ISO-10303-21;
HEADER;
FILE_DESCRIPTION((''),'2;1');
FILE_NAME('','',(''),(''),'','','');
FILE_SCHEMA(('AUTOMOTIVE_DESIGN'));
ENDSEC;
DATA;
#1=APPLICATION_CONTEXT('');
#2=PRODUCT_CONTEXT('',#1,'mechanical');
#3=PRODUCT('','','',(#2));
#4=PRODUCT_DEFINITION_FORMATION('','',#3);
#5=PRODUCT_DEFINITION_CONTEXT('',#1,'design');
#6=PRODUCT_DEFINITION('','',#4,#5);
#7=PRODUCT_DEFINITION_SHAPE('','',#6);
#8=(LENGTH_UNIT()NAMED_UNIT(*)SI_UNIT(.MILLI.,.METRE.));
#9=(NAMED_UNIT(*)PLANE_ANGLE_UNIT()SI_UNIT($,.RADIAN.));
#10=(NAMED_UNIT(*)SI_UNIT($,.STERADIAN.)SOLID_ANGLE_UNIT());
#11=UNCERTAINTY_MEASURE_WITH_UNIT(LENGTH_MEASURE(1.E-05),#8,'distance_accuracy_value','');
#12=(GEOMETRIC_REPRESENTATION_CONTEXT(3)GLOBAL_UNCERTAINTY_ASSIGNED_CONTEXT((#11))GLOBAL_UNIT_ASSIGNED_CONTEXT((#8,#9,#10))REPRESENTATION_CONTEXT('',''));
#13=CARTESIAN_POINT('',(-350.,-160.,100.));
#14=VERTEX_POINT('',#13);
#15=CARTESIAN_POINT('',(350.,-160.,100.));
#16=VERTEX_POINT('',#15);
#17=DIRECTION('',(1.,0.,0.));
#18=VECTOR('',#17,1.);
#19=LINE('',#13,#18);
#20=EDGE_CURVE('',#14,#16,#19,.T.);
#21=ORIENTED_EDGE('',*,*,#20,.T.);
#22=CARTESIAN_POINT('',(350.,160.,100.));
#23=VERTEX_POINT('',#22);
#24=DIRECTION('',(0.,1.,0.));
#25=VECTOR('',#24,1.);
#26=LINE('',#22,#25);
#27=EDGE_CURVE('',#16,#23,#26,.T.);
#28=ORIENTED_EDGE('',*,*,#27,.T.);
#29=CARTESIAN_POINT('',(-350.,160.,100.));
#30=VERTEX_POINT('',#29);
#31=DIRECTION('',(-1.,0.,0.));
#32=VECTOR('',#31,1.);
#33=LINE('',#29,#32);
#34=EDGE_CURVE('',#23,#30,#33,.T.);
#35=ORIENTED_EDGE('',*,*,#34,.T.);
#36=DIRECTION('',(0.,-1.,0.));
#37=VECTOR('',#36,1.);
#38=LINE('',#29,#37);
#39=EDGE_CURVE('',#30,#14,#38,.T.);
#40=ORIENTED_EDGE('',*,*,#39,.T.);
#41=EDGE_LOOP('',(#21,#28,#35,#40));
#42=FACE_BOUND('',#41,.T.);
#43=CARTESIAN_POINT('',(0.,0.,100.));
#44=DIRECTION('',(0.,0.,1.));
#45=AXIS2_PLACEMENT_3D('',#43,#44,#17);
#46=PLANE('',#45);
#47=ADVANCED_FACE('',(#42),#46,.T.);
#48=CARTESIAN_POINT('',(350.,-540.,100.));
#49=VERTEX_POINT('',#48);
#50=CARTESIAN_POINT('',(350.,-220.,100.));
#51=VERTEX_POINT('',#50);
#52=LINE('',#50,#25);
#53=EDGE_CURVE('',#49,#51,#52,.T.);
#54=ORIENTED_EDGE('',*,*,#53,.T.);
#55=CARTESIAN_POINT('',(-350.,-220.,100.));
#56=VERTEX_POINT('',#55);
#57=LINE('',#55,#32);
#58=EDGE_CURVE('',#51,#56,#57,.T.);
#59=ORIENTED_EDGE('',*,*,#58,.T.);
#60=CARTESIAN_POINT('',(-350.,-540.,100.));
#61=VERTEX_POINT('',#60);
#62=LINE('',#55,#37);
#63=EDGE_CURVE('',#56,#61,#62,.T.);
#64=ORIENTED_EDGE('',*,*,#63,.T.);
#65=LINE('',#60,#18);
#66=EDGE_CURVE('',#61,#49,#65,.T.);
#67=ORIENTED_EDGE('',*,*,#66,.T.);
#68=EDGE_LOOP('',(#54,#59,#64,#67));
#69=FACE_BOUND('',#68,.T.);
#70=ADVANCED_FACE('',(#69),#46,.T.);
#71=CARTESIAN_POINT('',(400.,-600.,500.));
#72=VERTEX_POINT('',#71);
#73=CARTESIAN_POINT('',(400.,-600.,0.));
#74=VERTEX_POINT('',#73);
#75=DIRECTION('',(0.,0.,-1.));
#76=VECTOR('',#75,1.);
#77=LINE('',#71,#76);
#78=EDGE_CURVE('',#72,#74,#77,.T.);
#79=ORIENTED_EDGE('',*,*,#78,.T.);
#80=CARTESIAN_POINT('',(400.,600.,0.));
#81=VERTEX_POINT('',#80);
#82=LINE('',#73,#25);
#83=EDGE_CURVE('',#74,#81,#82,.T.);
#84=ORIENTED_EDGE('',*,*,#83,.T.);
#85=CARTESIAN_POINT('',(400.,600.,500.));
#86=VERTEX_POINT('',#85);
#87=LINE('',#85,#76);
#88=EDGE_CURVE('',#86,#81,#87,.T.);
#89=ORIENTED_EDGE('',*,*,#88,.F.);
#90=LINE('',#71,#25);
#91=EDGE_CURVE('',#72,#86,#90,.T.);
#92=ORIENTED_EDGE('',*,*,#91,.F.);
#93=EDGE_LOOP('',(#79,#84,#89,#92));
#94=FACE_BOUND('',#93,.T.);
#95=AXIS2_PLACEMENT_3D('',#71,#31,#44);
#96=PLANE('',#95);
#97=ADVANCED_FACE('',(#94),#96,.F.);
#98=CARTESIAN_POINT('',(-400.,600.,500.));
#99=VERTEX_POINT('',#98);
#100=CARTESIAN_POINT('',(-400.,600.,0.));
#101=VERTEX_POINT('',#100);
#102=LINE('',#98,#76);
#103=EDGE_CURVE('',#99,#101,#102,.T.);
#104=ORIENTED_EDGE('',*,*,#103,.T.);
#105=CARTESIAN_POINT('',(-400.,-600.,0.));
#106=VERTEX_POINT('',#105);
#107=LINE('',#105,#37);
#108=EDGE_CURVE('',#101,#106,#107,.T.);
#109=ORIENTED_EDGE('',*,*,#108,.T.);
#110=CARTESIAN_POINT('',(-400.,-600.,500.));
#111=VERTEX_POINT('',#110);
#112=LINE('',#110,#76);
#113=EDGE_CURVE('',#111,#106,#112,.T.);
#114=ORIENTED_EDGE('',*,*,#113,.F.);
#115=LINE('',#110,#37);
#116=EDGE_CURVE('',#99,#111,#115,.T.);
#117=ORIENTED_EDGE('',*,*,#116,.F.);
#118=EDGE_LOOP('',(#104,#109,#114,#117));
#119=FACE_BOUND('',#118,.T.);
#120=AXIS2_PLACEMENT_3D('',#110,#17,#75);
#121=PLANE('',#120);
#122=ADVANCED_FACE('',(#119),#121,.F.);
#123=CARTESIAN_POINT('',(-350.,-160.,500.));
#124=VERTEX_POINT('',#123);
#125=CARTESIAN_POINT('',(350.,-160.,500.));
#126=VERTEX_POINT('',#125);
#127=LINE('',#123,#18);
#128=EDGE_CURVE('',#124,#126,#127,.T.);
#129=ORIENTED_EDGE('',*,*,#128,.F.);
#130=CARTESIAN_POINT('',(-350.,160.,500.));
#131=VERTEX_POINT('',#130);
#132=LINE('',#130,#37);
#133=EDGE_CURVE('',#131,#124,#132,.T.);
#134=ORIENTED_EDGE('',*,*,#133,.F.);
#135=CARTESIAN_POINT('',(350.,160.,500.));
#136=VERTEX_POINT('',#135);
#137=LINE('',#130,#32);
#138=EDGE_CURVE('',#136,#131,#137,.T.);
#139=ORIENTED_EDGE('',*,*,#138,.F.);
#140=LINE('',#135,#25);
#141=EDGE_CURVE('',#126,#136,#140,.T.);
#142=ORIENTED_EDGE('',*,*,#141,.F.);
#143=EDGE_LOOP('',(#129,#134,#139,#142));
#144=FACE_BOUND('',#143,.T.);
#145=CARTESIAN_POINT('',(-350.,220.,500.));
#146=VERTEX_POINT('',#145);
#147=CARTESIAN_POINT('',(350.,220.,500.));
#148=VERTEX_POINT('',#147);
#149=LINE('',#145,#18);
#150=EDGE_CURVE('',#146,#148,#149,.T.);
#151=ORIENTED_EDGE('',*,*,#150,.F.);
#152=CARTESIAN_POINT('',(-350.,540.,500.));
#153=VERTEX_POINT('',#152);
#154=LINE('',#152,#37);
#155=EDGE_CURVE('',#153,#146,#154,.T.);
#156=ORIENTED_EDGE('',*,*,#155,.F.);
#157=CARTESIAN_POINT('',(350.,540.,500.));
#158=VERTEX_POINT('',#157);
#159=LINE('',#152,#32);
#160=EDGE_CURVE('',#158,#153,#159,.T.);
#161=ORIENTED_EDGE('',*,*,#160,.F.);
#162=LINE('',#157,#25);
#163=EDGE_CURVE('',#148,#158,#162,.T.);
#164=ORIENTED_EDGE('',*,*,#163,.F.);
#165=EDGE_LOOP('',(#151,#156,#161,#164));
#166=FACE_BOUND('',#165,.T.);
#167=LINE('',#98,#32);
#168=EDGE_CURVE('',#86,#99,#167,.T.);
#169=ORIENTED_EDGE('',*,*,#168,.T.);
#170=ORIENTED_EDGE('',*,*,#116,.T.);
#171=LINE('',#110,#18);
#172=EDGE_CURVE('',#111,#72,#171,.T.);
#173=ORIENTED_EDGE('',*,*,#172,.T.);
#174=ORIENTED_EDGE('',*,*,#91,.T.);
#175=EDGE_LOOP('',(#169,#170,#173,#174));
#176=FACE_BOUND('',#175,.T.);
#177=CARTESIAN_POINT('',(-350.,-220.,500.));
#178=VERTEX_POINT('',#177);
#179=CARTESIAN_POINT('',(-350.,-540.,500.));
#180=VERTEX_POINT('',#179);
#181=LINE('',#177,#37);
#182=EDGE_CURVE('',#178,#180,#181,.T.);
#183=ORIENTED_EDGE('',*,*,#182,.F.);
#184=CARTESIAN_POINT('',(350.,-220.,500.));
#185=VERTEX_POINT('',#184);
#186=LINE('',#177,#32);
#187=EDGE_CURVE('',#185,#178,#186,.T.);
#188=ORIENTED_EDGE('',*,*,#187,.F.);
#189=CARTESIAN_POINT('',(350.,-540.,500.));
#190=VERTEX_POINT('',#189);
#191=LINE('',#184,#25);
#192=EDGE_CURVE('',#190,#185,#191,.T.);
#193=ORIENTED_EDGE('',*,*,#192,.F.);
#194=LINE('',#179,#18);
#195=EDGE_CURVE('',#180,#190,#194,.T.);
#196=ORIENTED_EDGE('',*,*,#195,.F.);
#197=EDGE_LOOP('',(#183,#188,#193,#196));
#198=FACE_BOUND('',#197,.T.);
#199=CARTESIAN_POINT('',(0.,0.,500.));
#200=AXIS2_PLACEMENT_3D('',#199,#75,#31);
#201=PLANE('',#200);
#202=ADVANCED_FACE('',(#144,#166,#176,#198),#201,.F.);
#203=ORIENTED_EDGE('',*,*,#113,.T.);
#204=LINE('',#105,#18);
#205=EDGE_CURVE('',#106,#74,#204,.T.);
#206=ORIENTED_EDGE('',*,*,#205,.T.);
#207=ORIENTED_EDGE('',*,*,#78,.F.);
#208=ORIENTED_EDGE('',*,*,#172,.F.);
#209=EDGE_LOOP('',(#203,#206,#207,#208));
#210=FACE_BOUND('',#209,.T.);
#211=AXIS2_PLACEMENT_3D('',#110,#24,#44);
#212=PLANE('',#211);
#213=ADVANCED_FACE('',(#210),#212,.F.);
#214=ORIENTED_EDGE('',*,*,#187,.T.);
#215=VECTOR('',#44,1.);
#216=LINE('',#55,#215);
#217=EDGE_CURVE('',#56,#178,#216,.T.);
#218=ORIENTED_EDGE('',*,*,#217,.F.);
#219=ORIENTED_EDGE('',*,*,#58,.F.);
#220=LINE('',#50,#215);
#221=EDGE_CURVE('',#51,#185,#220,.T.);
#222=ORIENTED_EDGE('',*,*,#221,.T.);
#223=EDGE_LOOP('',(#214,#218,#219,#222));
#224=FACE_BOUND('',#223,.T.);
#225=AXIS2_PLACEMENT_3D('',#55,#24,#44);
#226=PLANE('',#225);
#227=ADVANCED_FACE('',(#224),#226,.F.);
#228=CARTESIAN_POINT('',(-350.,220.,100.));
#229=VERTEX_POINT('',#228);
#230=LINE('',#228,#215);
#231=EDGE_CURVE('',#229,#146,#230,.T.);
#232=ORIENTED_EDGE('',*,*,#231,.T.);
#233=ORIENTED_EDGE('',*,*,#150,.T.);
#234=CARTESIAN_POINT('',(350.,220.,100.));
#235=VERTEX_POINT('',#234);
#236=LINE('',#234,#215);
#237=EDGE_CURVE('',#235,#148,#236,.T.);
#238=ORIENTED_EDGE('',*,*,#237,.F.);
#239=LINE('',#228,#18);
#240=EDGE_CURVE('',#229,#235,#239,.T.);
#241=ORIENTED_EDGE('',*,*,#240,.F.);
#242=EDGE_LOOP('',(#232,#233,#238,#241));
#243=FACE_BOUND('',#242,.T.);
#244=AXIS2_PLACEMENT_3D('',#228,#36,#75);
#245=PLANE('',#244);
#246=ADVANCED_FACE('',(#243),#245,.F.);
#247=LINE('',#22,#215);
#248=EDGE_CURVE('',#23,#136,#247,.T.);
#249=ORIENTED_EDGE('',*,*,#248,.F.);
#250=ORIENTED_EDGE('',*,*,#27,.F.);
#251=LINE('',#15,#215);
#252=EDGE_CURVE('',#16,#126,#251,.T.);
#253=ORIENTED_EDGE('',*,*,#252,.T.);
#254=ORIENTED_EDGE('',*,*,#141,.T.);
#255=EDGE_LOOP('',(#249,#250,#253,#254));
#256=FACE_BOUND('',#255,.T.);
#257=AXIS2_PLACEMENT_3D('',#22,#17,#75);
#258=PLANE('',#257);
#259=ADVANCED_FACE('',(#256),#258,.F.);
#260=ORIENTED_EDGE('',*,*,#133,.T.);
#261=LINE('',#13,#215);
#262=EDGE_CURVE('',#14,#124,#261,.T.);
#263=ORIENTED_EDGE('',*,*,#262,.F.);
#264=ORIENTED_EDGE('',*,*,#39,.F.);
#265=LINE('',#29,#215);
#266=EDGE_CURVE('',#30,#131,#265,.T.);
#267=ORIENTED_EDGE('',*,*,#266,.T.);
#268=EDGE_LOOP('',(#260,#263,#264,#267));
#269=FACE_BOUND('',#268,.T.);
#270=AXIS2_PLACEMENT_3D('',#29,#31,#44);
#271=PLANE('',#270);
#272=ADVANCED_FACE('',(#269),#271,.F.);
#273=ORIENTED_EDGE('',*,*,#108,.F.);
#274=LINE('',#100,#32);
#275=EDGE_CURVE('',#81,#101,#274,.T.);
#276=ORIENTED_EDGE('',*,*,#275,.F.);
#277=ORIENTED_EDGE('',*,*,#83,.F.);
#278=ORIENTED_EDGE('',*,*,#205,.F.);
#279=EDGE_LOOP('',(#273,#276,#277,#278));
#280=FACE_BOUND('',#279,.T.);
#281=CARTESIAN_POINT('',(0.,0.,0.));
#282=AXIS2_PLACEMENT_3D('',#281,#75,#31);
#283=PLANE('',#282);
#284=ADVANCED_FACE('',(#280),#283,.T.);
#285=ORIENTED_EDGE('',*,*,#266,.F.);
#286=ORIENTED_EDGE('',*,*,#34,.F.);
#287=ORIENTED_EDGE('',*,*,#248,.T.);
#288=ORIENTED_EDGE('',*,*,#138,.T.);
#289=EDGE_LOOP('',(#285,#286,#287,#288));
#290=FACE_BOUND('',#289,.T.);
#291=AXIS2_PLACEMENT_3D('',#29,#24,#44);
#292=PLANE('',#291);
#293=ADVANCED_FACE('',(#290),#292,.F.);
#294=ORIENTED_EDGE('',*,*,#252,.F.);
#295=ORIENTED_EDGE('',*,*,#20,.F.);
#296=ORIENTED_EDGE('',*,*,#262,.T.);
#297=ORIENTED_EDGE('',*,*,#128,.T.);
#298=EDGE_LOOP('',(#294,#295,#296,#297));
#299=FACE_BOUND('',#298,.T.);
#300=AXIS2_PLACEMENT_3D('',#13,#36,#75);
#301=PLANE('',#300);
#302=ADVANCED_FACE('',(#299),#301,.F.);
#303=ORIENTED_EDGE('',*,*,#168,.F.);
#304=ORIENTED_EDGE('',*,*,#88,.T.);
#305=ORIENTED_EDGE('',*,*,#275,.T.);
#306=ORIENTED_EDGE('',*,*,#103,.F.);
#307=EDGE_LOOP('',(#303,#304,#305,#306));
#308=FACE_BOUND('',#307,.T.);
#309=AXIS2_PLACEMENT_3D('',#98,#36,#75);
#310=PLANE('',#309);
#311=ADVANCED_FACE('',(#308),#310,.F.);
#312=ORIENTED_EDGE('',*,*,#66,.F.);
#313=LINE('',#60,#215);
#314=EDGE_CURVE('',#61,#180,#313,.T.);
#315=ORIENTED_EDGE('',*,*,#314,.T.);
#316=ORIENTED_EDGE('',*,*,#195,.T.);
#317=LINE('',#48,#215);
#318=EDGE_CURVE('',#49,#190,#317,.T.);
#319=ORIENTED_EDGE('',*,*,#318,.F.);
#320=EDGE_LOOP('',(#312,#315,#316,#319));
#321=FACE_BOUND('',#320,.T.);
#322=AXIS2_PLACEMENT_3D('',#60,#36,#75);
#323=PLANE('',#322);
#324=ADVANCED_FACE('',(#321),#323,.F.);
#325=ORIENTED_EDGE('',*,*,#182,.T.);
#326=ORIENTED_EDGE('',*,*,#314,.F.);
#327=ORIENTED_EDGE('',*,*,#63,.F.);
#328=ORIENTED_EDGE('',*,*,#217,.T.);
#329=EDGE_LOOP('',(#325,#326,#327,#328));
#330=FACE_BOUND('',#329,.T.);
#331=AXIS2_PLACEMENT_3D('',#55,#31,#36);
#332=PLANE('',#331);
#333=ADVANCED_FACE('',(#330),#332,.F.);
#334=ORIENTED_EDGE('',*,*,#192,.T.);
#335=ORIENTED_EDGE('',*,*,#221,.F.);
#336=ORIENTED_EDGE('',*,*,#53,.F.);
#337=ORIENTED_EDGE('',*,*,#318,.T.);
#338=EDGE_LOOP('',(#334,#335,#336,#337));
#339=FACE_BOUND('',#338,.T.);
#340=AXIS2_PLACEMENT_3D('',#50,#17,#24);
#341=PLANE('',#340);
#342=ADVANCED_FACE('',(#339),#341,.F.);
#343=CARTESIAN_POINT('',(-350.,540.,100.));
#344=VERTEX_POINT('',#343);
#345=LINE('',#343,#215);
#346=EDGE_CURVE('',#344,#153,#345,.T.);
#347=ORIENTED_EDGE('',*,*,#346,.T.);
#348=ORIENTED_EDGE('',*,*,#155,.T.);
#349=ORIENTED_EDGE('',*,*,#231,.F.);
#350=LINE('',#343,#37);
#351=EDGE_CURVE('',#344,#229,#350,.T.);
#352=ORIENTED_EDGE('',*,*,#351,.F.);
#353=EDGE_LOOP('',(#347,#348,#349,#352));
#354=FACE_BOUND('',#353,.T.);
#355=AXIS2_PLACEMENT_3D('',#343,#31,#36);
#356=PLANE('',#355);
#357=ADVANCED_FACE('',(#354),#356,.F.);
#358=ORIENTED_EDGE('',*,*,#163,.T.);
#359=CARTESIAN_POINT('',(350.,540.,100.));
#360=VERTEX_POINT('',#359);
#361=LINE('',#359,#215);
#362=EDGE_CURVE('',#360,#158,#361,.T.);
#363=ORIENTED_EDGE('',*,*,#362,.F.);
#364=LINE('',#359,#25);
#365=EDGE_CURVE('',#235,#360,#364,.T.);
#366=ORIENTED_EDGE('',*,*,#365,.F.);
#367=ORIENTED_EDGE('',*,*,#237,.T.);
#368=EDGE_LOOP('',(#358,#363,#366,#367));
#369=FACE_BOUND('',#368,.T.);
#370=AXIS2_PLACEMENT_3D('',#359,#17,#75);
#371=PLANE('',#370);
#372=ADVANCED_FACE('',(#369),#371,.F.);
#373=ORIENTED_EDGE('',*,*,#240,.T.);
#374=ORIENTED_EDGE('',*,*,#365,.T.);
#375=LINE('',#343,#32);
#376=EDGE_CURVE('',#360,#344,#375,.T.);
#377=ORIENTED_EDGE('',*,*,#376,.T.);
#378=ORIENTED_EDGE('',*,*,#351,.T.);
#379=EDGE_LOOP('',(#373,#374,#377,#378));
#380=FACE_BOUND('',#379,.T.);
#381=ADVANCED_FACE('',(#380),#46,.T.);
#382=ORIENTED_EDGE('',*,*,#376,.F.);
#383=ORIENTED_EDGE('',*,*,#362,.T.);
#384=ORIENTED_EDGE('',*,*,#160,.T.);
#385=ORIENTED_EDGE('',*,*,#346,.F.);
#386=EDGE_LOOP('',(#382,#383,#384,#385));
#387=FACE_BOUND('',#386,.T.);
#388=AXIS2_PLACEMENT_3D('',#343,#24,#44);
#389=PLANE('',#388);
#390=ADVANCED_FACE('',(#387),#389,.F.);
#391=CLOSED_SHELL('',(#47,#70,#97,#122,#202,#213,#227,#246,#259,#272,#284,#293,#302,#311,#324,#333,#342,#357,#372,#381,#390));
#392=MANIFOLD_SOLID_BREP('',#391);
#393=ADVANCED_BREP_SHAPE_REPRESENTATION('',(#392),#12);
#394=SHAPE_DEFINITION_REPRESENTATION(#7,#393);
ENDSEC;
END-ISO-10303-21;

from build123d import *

# Parameters (mm, degrees)
SKETCH1_W           = 800
SKETCH1_H           = 1200
BOSS_EXTRUDE1_DEPTH = 500
SKETCH2_W           = 700
SKETCH2_H           = 320
CUT_EXTRUDE1_DEPTH  = 400


with BuildPart() as part:
    # Sketch1 → Boss-Extrude1 (new body)
    with BuildSketch(Plane.XY):
        Rectangle(SKETCH1_W, SKETCH1_H)
    extrude(amount=BOSS_EXTRUDE1_DEPTH)

    # Sketch2 → Cut-Extrude1 (cut)
    with BuildSketch(Plane.XY.offset(500)):
        with Locations((0, 380)):
            Rectangle(SKETCH2_W, SKETCH2_H)
        Rectangle(SKETCH2_W, SKETCH2_H)
        with Locations((0, -380)):
            Rectangle(SKETCH2_W, SKETCH2_H)
    extrude(amount=-CUT_EXTRUDE1_DEPTH, mode=Mode.SUBTRACT)


solid = part.part
